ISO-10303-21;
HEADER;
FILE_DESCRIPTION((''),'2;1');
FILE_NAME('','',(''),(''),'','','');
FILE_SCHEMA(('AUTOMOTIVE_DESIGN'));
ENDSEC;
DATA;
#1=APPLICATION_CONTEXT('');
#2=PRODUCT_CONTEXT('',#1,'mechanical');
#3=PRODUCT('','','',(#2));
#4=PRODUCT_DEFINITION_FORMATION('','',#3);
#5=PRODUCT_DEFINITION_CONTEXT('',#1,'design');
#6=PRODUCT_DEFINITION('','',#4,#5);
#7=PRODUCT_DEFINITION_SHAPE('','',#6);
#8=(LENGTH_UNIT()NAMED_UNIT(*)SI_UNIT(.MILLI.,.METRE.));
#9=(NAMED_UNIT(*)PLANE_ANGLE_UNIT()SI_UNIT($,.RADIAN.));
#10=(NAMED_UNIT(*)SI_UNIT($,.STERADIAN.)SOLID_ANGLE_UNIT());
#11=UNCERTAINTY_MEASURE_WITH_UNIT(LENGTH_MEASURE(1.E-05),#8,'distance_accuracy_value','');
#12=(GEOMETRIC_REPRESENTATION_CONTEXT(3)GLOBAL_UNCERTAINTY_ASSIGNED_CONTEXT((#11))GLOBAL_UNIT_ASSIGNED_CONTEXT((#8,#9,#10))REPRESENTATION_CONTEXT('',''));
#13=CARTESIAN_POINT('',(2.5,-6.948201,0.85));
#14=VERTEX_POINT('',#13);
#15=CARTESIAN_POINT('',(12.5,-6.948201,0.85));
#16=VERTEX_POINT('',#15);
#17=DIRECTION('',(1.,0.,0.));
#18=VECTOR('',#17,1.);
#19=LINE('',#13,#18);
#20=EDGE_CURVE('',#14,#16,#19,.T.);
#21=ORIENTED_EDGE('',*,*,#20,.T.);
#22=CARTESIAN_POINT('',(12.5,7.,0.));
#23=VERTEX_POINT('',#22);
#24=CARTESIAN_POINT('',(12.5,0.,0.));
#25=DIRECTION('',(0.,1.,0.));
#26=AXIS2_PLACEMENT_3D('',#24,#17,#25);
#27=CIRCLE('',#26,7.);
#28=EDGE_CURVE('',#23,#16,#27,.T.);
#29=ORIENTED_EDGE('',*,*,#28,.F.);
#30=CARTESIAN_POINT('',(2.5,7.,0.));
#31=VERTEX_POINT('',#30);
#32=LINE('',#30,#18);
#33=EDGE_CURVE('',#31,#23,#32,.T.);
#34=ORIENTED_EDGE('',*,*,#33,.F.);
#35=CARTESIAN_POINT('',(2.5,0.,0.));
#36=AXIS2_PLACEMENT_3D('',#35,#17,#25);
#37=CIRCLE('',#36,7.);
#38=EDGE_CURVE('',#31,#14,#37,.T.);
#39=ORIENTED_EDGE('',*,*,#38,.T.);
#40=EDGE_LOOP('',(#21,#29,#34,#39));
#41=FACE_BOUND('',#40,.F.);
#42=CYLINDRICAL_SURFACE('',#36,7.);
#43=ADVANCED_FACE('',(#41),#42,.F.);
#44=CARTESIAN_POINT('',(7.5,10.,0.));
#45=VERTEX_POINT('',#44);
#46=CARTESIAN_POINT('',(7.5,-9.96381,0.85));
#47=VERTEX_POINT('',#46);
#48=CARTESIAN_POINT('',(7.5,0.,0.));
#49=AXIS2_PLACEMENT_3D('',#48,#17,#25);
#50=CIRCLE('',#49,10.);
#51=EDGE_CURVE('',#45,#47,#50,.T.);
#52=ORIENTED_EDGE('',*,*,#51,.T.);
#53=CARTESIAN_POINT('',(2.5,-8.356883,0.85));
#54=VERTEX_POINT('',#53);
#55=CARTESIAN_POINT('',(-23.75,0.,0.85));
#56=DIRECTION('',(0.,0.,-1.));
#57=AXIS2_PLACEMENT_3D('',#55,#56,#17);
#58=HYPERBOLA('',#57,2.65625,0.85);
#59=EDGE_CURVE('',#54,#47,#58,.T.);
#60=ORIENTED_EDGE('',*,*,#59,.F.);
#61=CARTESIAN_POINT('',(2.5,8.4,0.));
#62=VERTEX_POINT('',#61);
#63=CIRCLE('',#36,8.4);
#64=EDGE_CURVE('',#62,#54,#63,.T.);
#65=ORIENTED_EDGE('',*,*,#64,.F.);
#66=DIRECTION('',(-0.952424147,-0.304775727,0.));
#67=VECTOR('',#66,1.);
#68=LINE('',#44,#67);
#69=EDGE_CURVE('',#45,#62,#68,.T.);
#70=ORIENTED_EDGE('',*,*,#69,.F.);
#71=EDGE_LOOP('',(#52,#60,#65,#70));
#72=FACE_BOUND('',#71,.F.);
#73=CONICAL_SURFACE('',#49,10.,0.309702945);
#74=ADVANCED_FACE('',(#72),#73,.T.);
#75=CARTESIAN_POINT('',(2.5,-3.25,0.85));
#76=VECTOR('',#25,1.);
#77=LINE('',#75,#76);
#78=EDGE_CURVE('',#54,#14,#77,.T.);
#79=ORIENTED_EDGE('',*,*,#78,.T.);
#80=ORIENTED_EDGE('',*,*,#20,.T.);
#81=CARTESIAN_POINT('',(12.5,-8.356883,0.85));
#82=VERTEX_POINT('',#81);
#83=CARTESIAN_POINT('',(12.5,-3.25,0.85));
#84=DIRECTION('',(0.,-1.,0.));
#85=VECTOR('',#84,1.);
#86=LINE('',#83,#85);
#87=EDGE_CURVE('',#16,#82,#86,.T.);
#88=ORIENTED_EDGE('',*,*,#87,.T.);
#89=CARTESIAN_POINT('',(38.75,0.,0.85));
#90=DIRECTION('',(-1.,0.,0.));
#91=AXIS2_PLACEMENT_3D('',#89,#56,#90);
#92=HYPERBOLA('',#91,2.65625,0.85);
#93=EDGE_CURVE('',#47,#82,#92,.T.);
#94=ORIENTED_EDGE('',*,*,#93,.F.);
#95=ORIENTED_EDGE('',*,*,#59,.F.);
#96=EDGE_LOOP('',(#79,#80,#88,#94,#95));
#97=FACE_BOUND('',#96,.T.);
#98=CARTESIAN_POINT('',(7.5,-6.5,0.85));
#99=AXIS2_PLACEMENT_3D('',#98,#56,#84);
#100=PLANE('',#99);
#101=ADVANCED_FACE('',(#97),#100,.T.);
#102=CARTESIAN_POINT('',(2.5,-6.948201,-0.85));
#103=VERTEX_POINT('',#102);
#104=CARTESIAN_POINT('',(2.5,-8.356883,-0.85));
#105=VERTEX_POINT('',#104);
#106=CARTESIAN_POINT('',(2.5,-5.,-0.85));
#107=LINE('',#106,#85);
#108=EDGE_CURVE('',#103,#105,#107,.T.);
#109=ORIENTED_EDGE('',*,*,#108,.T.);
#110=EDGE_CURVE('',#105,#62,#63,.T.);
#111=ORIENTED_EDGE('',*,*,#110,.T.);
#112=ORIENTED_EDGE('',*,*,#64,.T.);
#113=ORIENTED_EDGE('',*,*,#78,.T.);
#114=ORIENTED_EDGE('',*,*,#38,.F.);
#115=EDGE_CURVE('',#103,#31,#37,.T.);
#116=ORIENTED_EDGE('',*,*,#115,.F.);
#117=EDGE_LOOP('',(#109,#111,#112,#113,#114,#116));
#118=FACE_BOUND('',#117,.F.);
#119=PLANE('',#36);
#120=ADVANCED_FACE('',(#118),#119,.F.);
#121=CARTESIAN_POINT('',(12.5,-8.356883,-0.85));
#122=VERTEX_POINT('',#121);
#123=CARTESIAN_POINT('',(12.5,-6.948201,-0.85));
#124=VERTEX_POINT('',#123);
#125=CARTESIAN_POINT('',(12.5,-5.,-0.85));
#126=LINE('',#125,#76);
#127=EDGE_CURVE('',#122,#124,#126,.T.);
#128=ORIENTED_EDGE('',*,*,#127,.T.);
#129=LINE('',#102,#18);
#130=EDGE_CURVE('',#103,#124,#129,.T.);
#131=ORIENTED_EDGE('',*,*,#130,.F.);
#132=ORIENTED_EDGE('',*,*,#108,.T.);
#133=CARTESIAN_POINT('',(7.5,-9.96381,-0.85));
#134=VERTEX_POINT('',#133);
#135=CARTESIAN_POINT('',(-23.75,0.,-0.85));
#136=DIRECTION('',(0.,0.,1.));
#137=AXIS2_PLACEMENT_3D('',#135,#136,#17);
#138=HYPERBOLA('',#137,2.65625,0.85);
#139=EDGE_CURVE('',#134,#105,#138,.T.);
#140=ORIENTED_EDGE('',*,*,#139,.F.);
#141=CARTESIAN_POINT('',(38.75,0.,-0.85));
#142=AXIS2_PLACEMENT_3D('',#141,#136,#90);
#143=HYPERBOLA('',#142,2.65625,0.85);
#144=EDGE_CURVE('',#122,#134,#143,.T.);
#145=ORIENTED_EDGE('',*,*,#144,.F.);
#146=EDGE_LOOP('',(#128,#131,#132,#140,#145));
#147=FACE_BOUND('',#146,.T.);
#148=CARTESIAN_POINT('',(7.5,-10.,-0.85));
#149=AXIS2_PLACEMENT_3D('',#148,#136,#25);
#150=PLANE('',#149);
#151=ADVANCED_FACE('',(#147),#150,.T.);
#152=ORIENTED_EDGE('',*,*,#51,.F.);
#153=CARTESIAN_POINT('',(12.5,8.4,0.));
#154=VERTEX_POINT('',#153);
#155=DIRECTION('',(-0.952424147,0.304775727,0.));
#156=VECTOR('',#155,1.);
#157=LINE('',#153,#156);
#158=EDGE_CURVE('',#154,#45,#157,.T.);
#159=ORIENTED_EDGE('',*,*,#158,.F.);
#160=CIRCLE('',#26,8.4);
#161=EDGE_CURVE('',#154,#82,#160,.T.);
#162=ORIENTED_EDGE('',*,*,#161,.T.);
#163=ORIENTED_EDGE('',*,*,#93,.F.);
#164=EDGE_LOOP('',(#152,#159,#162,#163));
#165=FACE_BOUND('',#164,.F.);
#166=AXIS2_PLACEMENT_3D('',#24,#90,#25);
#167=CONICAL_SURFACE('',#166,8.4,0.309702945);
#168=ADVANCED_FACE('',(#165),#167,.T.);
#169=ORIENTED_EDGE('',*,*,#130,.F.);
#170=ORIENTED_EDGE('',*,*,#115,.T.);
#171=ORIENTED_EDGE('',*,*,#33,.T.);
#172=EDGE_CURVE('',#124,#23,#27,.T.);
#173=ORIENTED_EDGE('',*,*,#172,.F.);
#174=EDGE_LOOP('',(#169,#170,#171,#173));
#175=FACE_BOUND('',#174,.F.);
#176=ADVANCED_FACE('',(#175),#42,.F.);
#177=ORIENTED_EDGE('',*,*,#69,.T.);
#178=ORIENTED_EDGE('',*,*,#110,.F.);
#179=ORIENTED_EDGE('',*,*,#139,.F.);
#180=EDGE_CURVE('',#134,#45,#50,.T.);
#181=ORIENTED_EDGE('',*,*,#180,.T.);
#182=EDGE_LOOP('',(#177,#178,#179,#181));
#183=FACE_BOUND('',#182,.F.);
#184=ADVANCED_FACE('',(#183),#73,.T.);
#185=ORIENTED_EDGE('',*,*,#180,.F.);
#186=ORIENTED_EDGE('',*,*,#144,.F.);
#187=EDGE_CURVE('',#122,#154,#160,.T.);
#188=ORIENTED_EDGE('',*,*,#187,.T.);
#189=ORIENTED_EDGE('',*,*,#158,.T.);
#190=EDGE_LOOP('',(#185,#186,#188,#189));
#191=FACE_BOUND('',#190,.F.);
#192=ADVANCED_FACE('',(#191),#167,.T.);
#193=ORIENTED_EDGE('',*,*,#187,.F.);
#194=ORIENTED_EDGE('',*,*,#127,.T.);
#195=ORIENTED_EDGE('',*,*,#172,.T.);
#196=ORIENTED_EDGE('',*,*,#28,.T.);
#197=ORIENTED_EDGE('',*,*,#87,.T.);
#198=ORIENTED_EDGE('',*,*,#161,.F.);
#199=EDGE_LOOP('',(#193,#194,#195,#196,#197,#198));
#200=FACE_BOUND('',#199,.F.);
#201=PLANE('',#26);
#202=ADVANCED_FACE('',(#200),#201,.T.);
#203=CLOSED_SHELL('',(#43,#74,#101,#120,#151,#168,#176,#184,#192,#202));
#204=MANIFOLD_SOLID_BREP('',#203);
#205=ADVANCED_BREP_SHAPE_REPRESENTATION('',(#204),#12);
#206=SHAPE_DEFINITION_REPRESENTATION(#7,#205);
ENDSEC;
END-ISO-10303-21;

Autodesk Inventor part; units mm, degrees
sketch "Sketch_5" plane through (0, 0, 0) normal (0, 0, 1) x (1, 0, 0)
  line L0 (500, 0) -> (-500, 0)
  line L1 (2.5, 8.4) -> (2.5, 7)
  line L2 (2.5, 7) -> (12.5, 7)
  line L3 (12.5, 7) -> (12.5, 8.4)
  line L4 (12.5, 8.4) -> (7.5, 10)
  line L5 (7.5, 10) -> (2.5, 8.4)
revolve "Revolution1" add sketch "Sketch_5" angle 360 about axis through (500, 0, 0) along (1, 0, 0)
sketch "Sketch_6" plane through (7.5, 0, 0) normal (1, 0, 0) x (0, 0, -1)
  line L0 (-0.85, -10) -> (0.85, -10)
  line L1 (0.85, -10) -> (0.85, -6.5)
  line L2 (0.85, -6.5) -> (-0.85, -6.5)
  line L3 (-0.85, -6.5) -> (-0.85, -10)
extrude "Extrusion1" cut sketch "Sketch_6" along normal mid plane 15
ref_plane "it_schrschei_st_XY" through (7.5, 0, 0) normal (1, 0, 0) x (0, 0, -1)
ref_plane "it_schrschei_st_YZ" through (7.5, 0, 0) normal (0, 0, -1) x (0, 1, 0)
ref_plane "it_schrschei_st_ZX" through (7.5, 0, 0) normal (0, 1, 0) x (1, 0, 0)
properties part number "61581400_3"
